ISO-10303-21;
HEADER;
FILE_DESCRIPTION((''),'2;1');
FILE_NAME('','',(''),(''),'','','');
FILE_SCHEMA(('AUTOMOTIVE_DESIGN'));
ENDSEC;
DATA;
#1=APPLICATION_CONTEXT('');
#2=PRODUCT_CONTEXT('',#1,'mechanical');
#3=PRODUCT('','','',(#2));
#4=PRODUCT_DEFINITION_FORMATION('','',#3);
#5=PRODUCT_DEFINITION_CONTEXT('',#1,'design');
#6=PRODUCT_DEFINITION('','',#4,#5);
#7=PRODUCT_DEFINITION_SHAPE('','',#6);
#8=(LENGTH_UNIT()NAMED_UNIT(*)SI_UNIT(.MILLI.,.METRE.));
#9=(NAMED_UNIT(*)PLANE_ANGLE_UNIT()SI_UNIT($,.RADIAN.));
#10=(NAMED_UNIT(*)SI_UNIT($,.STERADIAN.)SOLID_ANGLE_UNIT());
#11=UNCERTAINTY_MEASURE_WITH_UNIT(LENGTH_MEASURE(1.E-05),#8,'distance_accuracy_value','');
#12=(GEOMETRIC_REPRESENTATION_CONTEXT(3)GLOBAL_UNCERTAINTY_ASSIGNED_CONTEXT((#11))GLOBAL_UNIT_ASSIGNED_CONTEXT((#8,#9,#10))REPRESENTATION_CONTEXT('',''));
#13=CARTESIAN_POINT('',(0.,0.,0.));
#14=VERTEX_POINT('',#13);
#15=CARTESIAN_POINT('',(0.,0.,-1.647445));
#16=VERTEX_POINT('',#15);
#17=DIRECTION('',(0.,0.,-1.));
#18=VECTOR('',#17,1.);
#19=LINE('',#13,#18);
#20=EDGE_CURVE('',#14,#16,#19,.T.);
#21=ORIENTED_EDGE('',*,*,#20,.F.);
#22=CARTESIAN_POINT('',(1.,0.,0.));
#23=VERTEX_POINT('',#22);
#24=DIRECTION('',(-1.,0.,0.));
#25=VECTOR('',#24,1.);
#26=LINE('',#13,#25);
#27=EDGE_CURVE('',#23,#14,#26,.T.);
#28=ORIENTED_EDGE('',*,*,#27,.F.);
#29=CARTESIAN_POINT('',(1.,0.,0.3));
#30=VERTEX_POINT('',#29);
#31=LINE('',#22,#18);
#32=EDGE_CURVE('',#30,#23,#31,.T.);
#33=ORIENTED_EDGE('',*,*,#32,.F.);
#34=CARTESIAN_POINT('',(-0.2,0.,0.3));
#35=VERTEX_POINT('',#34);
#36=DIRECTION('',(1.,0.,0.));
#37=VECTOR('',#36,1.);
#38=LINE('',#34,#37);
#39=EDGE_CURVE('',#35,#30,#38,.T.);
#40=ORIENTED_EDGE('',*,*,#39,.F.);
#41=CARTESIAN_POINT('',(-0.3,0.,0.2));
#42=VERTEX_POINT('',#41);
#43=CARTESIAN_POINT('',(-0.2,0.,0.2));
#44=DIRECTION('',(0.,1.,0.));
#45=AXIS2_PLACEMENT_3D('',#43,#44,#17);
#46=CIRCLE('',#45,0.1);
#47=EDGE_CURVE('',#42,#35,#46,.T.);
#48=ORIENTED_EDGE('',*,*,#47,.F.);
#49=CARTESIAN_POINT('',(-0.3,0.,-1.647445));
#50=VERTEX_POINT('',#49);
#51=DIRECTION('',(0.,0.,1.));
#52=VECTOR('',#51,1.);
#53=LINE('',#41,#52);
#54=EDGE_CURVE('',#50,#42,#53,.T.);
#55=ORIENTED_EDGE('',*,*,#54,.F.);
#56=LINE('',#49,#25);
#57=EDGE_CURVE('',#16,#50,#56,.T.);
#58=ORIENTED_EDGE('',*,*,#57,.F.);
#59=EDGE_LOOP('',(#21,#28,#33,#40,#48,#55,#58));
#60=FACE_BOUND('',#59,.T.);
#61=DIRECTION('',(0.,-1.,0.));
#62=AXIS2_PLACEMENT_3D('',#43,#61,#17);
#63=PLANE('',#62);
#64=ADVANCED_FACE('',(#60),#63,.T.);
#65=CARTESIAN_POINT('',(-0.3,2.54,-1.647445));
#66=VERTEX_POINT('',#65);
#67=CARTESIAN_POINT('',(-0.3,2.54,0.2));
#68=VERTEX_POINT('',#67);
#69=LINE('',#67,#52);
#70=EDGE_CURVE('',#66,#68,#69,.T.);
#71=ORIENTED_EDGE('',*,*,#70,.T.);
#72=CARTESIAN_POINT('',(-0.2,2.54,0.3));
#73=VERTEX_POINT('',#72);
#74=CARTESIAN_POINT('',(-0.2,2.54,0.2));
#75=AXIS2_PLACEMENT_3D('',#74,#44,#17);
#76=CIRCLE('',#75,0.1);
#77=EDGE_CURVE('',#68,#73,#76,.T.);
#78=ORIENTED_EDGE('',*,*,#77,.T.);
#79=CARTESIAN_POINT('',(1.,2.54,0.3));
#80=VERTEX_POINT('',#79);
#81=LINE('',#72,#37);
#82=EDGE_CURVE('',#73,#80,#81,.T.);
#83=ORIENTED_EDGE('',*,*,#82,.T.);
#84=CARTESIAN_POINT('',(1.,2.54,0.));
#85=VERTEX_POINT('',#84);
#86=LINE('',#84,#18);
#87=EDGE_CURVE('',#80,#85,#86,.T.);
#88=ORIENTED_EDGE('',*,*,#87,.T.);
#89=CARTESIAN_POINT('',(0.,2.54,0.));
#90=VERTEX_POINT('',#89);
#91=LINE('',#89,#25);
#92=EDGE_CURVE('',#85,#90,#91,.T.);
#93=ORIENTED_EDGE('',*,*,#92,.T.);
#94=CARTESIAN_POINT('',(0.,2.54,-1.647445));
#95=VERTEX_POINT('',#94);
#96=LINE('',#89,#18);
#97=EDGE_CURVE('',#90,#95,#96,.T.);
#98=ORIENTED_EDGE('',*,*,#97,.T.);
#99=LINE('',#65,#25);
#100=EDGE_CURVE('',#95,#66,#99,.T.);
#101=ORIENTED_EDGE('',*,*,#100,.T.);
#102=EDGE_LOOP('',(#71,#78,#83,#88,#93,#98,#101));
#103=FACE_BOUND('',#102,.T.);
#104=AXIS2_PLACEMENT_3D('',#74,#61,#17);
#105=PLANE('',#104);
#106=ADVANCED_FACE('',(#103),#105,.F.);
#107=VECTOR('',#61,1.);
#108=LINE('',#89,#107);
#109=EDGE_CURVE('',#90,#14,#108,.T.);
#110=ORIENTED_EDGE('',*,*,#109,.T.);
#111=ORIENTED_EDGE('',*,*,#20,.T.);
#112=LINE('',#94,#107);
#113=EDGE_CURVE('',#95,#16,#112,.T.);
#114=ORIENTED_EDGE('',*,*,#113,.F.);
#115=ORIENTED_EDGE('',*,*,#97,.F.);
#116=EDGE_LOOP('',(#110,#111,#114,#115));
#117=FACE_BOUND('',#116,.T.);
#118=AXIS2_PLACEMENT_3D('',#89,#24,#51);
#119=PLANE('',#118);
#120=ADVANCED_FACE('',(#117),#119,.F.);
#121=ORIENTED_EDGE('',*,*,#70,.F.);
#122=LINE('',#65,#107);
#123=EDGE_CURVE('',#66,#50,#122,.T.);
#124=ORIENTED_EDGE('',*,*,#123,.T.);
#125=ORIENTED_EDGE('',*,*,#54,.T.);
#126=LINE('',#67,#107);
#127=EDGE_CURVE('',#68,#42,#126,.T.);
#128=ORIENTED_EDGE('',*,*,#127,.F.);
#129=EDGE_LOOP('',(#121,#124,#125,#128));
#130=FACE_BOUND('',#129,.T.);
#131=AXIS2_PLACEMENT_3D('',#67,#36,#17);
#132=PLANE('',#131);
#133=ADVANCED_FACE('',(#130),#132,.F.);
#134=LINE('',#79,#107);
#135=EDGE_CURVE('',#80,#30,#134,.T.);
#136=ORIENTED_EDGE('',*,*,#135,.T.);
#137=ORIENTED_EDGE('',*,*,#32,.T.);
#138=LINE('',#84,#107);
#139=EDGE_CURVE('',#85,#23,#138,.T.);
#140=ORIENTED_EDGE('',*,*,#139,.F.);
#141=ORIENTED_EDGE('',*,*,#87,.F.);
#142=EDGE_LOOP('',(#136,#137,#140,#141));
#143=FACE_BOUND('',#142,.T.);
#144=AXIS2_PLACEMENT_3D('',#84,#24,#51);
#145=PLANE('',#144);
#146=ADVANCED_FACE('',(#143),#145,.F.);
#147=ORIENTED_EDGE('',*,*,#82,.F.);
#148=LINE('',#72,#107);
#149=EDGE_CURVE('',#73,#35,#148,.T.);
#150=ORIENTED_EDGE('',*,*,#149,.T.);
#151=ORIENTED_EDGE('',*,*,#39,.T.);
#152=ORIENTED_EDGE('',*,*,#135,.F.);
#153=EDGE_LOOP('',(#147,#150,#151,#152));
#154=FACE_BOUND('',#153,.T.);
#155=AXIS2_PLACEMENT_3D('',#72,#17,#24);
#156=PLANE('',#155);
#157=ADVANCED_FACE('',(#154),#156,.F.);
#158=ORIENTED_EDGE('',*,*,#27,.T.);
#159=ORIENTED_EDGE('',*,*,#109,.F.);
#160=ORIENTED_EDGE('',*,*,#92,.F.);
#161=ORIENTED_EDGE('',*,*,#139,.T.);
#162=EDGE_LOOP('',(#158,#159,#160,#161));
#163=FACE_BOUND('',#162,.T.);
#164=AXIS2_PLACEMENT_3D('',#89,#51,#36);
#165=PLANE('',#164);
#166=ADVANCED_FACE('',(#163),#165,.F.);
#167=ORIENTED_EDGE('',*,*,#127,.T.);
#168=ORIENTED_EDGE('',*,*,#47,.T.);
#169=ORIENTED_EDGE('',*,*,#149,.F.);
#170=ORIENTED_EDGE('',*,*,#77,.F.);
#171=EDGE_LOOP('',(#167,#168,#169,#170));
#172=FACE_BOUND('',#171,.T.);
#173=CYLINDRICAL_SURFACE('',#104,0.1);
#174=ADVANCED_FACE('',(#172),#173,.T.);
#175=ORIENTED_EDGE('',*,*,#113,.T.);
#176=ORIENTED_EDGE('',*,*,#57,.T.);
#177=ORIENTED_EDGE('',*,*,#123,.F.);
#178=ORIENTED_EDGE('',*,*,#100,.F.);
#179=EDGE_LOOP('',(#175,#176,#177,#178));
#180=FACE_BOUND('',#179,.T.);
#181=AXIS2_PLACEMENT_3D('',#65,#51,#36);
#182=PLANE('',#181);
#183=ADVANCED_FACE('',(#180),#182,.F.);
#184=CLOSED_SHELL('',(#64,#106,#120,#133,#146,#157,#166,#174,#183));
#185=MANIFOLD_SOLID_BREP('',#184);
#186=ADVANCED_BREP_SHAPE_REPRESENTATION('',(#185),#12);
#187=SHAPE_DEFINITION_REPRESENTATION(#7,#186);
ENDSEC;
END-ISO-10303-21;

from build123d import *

# Parameters (mm, degrees)
BOSS_EXTRU_1_DEPTH = 2.54


with BuildPart() as part:
    # Esquisse1 → Boss.-Extru.1 (new body)
    with BuildSketch(Plane(origin=(0, 0, 0), x_dir=(1, 0, 0), z_dir=(0, 1, 0))):
        with BuildLine():
            Line((0, 0), (0, 1.647444936))
            Line((0, 1.647444936), (-0.3, 1.647444936))
            Line((-0.3, 1.647444936), (-0.3, -0.2))
            ThreePointArc((-0.3, -0.2), (-0.270710678, -0.270710678), (-0.2, -0.3))
            Line((-0.2, -0.3), (1, -0.3))
            Line((1, -0.3), (1, 0))
            Line((1, 0), (0, 0))
        make_face()
    extrude(amount=BOSS_EXTRU_1_DEPTH)


solid = part.part
